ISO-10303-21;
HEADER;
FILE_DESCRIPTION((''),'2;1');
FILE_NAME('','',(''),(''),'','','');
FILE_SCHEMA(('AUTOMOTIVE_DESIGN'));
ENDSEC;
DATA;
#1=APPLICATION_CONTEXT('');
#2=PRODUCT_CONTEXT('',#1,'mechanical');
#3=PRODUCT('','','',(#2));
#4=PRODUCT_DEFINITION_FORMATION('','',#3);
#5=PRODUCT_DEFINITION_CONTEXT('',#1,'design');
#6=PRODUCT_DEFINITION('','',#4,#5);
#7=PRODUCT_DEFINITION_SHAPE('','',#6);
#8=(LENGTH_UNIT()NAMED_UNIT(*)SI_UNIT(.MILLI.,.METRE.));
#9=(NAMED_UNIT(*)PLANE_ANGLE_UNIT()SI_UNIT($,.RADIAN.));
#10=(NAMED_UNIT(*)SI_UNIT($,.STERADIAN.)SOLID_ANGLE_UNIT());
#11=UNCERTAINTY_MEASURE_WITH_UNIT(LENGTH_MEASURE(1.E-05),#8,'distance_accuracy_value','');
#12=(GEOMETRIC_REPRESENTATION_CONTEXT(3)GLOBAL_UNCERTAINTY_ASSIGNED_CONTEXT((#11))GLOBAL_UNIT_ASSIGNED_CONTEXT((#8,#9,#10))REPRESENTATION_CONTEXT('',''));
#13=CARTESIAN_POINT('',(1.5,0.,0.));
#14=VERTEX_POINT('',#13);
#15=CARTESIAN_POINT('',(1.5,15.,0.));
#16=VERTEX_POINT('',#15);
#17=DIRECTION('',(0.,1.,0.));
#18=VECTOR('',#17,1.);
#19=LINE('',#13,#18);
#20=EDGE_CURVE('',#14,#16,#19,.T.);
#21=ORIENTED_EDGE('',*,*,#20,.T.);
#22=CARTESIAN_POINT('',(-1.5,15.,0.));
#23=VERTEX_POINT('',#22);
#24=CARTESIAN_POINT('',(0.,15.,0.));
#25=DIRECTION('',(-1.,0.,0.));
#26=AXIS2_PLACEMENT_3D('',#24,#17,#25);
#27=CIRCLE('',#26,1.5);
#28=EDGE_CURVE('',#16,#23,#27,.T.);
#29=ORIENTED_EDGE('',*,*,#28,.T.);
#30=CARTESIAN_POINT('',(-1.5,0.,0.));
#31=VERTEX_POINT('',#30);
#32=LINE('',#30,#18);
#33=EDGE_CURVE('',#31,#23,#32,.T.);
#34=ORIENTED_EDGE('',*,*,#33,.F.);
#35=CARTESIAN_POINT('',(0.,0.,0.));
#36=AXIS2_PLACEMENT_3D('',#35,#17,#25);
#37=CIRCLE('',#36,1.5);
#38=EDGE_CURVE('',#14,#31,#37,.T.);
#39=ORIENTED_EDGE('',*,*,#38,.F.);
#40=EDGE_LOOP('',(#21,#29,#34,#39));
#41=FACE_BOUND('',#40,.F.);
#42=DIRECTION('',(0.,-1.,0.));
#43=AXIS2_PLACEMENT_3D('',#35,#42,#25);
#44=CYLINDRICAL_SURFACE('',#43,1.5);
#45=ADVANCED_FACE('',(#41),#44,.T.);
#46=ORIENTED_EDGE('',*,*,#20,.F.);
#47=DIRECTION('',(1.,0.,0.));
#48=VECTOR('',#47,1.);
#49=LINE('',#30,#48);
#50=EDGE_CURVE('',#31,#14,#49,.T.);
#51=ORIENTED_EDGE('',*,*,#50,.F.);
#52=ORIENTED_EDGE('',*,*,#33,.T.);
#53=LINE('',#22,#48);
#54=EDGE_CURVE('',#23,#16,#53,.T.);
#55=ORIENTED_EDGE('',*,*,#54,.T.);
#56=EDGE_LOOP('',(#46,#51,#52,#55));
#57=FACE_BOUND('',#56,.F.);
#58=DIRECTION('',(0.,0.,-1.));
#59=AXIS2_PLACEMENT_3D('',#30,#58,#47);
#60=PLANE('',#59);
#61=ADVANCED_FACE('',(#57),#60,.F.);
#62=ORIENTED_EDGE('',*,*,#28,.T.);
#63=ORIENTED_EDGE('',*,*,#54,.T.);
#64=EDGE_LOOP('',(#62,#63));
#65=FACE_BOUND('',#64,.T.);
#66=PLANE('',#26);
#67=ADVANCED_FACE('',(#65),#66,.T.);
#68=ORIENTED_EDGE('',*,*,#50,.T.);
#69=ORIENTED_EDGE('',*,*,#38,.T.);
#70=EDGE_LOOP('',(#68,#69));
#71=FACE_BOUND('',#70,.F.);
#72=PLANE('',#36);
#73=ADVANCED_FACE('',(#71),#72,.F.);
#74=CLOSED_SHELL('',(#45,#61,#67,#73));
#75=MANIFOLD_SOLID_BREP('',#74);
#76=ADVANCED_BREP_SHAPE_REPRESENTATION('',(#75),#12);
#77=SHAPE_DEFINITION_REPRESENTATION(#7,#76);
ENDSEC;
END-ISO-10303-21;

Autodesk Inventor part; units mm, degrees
ref_plane "YZ Plane" through (0, 0, 0) normal (1, 0, 0) x (0, 1, 0)
ref_plane "XZ Plane" through (0, 0, 0) normal (0, 1, 0) x (-1, 0, 0)
ref_plane "XY Plane" through (0, 0, 0) normal (0, 0, 1) x (1, 0, 0)
sketch "スケッチ1" plane through (0, 0, 0) normal (0, 1, 0) x (-1, 0, 0)
  circle A0 centre (0, 0) radius 1.5
  line L0 (1.5, 0) -> (-1.5, 0)
  dimension "d0" = 3
extrude "押し出し1" add sketch "スケッチ1" along normal blind 15 contours A0 L0 picked at (-0.4427, -0.2324)
properties part number "モーターの釘"
